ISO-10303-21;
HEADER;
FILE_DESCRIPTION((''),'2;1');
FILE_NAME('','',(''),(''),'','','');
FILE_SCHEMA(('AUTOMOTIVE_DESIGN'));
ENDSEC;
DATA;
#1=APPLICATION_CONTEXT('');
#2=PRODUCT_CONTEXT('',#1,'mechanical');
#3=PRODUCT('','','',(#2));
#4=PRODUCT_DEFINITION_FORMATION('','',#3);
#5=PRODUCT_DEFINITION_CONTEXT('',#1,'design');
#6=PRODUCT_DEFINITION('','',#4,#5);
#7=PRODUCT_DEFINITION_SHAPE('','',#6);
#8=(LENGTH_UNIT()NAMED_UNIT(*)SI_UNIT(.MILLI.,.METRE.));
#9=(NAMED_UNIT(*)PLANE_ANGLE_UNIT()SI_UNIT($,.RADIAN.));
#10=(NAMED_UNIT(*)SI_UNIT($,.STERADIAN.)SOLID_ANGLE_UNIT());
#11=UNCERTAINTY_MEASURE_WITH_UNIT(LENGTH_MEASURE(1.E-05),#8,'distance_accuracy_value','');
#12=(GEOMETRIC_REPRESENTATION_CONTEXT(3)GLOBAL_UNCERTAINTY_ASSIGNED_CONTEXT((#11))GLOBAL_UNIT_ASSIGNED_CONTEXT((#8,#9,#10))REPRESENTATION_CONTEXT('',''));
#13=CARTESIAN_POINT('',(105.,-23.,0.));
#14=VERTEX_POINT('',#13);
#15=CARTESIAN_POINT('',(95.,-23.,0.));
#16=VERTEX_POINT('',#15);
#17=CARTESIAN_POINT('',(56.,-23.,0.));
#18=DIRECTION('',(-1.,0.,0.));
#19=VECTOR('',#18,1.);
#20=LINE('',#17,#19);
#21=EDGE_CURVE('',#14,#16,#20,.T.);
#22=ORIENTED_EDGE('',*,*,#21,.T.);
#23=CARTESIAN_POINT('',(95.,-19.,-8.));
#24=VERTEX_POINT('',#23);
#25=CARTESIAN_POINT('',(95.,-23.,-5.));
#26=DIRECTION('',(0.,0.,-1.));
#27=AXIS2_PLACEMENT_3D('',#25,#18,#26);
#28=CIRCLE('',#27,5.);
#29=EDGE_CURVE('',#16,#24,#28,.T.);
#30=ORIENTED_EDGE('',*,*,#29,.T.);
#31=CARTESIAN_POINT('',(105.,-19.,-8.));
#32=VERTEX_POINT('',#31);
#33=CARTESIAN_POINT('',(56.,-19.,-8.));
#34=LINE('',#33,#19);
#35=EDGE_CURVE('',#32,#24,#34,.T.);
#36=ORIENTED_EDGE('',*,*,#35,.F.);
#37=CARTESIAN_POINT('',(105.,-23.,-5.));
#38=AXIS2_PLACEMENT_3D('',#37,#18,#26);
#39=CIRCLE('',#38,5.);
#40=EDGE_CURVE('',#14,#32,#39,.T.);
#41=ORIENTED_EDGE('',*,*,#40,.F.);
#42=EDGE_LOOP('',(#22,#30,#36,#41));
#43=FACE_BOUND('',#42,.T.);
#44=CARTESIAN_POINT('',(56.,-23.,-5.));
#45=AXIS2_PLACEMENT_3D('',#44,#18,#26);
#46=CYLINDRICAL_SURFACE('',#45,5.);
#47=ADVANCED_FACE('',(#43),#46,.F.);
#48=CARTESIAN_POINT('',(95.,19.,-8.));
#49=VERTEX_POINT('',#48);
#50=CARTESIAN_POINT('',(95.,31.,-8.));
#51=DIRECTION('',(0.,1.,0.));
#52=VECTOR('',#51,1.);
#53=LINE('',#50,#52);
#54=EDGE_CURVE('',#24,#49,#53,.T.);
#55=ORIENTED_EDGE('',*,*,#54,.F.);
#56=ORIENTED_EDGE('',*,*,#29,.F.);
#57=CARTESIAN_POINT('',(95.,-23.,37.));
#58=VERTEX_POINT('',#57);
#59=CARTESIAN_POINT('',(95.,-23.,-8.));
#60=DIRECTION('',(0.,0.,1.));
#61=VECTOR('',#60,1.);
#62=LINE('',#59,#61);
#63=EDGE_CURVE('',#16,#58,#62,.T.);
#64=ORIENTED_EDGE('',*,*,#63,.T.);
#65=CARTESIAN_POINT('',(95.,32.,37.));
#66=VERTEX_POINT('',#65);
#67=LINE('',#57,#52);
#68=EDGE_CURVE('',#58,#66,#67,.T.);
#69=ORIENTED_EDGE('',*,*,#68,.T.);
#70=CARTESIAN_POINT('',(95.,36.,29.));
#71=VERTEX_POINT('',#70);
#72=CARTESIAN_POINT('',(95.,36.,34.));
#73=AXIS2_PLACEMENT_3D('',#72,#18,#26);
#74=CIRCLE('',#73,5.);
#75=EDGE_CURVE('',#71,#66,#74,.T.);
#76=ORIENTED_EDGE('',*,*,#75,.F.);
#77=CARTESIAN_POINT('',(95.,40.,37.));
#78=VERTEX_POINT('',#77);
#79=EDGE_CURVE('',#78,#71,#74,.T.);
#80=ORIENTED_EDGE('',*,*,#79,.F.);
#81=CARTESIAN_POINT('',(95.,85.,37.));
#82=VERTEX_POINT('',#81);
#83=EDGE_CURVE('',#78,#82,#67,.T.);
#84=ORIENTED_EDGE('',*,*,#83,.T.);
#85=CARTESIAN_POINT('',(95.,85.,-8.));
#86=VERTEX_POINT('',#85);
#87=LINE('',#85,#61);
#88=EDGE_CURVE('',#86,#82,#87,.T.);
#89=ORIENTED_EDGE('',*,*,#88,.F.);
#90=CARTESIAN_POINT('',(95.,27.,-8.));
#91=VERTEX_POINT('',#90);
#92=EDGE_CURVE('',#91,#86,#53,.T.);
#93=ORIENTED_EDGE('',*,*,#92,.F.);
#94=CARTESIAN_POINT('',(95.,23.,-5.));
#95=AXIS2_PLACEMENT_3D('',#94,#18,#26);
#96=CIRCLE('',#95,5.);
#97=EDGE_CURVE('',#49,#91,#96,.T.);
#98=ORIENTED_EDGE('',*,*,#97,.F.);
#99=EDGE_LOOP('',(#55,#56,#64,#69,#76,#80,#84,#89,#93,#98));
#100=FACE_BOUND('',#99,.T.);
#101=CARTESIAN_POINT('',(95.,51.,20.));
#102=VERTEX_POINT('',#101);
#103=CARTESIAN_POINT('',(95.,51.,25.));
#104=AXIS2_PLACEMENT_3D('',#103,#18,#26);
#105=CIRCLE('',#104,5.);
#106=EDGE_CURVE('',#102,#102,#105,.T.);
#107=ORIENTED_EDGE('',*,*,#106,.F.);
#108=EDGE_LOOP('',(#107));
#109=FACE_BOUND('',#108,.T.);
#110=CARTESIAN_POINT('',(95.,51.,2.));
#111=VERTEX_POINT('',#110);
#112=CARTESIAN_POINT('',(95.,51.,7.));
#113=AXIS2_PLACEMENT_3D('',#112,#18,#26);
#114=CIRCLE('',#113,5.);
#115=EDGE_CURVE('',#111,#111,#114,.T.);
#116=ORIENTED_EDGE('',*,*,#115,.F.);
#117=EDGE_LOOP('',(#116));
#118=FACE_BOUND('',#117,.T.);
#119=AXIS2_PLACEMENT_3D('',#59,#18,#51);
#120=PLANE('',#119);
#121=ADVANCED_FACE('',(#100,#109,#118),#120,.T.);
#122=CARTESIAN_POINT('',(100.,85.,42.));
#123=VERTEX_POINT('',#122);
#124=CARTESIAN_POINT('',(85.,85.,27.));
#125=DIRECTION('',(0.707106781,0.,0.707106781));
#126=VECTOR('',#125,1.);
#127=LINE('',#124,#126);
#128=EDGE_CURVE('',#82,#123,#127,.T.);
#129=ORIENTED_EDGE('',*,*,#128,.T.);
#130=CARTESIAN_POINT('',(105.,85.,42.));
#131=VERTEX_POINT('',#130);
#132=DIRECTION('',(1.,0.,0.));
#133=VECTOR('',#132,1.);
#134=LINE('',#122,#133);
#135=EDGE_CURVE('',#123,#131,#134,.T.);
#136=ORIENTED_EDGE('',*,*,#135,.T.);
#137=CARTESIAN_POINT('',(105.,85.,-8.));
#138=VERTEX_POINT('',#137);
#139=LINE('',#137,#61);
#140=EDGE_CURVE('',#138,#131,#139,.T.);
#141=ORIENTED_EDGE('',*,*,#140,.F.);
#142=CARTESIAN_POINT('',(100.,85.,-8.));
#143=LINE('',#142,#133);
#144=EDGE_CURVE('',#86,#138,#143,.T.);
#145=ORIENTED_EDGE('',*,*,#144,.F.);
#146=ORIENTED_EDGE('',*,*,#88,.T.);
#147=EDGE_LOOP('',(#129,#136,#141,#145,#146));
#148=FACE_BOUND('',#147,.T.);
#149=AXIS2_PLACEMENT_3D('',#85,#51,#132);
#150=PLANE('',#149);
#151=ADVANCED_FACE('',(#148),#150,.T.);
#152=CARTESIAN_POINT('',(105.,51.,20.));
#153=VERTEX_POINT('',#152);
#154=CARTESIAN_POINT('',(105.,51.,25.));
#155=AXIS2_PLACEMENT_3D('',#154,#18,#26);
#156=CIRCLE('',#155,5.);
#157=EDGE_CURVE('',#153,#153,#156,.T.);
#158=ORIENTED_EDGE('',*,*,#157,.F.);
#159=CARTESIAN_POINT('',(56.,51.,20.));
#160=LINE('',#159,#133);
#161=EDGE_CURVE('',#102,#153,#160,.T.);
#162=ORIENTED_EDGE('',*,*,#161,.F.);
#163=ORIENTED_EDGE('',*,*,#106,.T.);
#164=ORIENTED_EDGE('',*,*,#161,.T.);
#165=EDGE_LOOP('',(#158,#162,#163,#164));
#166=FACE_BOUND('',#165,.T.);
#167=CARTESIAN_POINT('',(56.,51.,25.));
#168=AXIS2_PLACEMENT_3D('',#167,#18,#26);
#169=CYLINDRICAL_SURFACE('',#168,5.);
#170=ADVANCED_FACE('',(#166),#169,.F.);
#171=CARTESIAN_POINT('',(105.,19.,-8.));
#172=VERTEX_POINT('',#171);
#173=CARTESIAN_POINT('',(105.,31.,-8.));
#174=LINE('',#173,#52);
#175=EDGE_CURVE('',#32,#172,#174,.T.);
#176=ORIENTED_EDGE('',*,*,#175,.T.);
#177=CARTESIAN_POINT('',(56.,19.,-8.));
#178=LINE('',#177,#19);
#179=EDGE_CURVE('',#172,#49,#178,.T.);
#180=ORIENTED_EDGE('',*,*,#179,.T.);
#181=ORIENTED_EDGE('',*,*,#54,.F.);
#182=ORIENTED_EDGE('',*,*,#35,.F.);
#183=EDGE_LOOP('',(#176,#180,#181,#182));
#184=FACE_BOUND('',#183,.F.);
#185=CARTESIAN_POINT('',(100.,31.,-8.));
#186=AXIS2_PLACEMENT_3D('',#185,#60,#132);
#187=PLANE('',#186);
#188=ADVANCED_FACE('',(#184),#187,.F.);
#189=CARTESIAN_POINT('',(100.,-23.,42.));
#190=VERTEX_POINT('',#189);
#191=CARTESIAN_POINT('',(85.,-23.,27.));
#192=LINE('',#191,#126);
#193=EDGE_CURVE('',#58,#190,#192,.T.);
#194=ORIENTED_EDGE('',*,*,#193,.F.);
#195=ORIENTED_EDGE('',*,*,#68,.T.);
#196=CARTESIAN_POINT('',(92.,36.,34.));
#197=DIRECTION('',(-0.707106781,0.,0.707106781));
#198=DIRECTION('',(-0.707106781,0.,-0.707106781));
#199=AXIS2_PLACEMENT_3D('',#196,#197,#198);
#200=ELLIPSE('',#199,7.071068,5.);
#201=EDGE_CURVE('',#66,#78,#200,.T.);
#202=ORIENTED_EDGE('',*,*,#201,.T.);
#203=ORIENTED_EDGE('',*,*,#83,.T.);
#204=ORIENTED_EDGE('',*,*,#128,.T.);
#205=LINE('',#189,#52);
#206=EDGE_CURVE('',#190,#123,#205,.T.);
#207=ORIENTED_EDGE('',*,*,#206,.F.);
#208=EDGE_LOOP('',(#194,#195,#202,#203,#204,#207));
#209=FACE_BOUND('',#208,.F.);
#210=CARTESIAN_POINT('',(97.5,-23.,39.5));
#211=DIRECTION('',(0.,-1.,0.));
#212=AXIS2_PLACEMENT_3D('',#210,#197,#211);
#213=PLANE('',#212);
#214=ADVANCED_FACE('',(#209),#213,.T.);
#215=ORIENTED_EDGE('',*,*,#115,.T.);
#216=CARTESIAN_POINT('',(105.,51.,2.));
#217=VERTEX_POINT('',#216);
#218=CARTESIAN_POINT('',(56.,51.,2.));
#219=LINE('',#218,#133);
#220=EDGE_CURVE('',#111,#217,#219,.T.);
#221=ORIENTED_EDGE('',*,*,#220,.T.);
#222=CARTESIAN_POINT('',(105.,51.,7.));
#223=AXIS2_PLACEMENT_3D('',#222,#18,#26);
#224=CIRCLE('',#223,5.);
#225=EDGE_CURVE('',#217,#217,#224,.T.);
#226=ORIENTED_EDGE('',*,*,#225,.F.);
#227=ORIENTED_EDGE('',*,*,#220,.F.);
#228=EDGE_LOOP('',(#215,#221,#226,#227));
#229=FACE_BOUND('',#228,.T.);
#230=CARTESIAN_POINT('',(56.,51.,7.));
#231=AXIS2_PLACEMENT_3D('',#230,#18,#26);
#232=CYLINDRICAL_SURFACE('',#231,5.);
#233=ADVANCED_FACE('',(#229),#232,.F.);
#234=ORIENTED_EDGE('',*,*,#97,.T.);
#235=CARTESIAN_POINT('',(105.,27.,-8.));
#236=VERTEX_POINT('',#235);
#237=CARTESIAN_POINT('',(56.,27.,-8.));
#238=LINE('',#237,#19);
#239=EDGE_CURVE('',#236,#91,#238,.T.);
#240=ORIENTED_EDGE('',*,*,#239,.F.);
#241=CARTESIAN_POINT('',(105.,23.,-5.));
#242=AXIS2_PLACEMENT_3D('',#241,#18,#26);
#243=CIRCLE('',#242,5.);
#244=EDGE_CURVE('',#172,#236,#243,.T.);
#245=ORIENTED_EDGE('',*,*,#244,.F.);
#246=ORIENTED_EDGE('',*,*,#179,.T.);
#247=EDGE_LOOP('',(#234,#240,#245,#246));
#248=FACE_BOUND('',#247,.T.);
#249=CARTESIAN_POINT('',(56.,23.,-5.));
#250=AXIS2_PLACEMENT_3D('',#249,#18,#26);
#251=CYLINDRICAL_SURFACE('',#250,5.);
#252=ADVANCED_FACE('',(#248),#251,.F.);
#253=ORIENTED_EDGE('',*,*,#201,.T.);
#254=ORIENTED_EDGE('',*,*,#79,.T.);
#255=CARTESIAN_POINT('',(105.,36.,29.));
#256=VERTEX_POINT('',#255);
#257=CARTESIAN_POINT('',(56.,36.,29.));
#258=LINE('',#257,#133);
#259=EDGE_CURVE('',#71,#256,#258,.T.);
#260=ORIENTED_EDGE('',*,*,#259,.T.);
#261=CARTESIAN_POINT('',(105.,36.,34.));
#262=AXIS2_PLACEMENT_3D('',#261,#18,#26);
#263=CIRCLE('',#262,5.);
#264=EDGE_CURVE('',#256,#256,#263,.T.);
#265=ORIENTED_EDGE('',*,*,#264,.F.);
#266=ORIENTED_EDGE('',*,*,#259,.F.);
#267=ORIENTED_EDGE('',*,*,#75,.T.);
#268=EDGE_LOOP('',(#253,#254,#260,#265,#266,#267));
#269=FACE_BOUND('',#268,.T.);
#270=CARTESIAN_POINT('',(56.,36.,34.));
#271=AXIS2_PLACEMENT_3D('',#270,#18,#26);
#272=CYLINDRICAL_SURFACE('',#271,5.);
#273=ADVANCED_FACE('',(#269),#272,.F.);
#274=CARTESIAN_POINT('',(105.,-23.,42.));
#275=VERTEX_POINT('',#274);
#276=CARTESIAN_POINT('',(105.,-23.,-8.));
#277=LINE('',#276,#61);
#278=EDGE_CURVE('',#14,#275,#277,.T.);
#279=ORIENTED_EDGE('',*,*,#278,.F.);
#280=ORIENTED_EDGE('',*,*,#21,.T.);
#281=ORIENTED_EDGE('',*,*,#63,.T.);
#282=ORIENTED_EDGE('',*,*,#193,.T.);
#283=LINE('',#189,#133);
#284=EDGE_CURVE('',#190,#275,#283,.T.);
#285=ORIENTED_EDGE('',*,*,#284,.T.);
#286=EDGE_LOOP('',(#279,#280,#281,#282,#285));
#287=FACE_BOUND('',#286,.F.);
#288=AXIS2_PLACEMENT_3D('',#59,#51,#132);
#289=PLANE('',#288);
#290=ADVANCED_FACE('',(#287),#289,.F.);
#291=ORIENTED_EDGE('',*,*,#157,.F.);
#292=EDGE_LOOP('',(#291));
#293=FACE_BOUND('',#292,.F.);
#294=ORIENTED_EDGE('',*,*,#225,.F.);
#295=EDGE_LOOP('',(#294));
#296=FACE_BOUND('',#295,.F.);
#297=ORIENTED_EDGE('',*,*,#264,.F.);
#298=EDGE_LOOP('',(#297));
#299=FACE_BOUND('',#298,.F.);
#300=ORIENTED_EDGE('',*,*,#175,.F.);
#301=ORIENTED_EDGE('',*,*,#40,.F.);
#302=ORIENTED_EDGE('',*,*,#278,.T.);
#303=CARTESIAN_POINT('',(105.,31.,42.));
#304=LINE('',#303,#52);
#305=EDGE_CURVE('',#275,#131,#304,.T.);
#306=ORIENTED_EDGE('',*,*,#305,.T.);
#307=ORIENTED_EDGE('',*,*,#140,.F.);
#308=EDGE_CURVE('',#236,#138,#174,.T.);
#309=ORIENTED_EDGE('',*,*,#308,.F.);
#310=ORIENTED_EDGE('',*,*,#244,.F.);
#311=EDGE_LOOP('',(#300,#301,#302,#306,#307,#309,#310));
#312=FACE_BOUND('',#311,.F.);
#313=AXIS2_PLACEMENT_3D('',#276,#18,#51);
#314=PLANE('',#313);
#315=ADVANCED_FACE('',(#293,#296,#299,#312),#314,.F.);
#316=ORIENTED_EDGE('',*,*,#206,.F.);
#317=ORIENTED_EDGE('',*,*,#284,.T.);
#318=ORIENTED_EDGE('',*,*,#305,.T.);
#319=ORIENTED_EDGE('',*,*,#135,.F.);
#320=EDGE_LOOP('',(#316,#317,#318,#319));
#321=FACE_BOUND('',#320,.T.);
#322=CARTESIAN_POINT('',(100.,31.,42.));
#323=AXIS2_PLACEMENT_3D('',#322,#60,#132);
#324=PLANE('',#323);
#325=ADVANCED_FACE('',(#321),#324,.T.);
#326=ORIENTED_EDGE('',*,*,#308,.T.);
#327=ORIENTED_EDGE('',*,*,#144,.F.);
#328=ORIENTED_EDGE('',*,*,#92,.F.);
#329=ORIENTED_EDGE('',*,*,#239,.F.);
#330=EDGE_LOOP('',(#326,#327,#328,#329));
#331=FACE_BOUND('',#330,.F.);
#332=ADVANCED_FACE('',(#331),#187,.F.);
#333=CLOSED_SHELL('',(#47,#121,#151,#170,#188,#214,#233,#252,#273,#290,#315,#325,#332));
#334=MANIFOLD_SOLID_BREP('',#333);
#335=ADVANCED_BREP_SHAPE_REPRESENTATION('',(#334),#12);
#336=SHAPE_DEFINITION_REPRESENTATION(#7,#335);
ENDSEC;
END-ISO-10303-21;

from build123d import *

# Parameters (mm, degrees)
CYLINDER455_R     = 5
CYLINDER455_DEPTH = 100
CYLINDER449_R     = 5
CYLINDER449_DEPTH = 100
CYLINDER457_R     = 5
CYLINDER457_DEPTH = 100
CYLINDER456_R     = 5
CYLINDER456_DEPTH = 100
CYLINDER450_R     = 5
CYLINDER450_DEPTH = 100
CYLINDER458_R     = 5
CYLINDER458_DEPTH = 100
CYLINDER451_R     = 5
CYLINDER451_DEPTH = 100
CYLINDER448_R     = 5
CYLINDER448_DEPTH = 100
BOX197_W          = 10
BOX197_H          = 108
BOX197_DEPTH      = 50
CHAMFER001_SIZE   = 5


with BuildPart() as v_lec455:
    # Cylinder455 → Cylinder455 (new body)
    with BuildSketch(Plane(origin=(24, -51, 25), x_dir=(0, 0, -1), z_dir=(1, 0, 0))):
        Circle(CYLINDER455_R)
    extrude(amount=CYLINDER455_DEPTH)


with BuildPart() as v_lec449:
    # Cylinder449 → Cylinder449 (new body)
    with BuildSketch(Plane(origin=(24, 36, 34), x_dir=(0, 0, -1), z_dir=(1, 0, 0))):
        Circle(CYLINDER449_R)
    extrude(amount=CYLINDER449_DEPTH)


with BuildPart() as v_lec457:
    # Cylinder457 → Cylinder457 (new body)
    with BuildSketch(Plane(origin=(24, -36, 34), x_dir=(0, 0, -1), z_dir=(1, 0, 0))):
        Circle(CYLINDER457_R)
    extrude(amount=CYLINDER457_DEPTH)


with BuildPart() as v_lec456:
    # Cylinder456 → Cylinder456 (new body)
    with BuildSketch(Plane(origin=(24, -23, -5), x_dir=(0, 0, -1), z_dir=(1, 0, 0))):
        Circle(CYLINDER456_R)
    extrude(amount=CYLINDER456_DEPTH)


with BuildPart() as v_lec450:
    # Cylinder450 → Cylinder450 (new body)
    with BuildSketch(Plane(origin=(24, 51, 7), x_dir=(0, 0, -1), z_dir=(1, 0, 0))):
        Circle(CYLINDER450_R)
    extrude(amount=CYLINDER450_DEPTH)


with BuildPart() as v_lec458:
    # Cylinder458 → Cylinder458 (new body)
    with BuildSketch(Plane(origin=(24, 23, -5), x_dir=(0, 0, -1), z_dir=(1, 0, 0))):
        Circle(CYLINDER458_R)
    extrude(amount=CYLINDER458_DEPTH)


with BuildPart() as v_lec451:
    # Cylinder451 → Cylinder451 (new body)
    with BuildSketch(Plane(origin=(24, -51, 7), x_dir=(0, 0, -1), z_dir=(1, 0, 0))):
        Circle(CYLINDER451_R)
    extrude(amount=CYLINDER451_DEPTH)


with BuildPart() as compound595:
    # Cylinder448 → Cylinder448 (new body)
    with BuildSketch(Plane(origin=(24, 51, 25), x_dir=(0, 0, -1), z_dir=(1, 0, 0))):
        Circle(CYLINDER448_R)
    extrude(amount=CYLINDER448_DEPTH)

    # Compound595: union Válec455, Válec449, Válec457, Válec456, Válec450, Válec458, Válec451
    add(v_lec455.part)
    add(v_lec449.part)
    add(v_lec457.part)
    add(v_lec456.part)
    add(v_lec450.part)
    add(v_lec458.part)
    add(v_lec451.part)


with BuildPart() as compound595_1:
    # Compound595 placement: moved
    add(compound595.part.moved(Location((32, 0, 0))))


with BuildPart() as cut369:
    # Box197 → Box197 (new body)
    with BuildSketch(Plane(origin=(87, -29, -8), x_dir=(1, 0, 0), z_dir=(0, 0, 1))):
        with Locations((5, 54)):
            Rectangle(BOX197_W, BOX197_H)
    extrude(amount=BOX197_DEPTH)

    # Chamfer001
    chamfer001_edges = [cut369.edges().sort_by_distance(p)[0] for p in [
        (87, 25, 42),
    ]]
    chamfer(chamfer001_edges, length=CHAMFER001_SIZE)


with BuildPart() as cut369_1:
    # Chamfer001 placement: moved
    add(cut369.part.moved(Location((8, 6, 0))))

    # Cut369: cut Compound595
    add(compound595_1.part, mode=Mode.SUBTRACT)


solid = cut369_1.part
